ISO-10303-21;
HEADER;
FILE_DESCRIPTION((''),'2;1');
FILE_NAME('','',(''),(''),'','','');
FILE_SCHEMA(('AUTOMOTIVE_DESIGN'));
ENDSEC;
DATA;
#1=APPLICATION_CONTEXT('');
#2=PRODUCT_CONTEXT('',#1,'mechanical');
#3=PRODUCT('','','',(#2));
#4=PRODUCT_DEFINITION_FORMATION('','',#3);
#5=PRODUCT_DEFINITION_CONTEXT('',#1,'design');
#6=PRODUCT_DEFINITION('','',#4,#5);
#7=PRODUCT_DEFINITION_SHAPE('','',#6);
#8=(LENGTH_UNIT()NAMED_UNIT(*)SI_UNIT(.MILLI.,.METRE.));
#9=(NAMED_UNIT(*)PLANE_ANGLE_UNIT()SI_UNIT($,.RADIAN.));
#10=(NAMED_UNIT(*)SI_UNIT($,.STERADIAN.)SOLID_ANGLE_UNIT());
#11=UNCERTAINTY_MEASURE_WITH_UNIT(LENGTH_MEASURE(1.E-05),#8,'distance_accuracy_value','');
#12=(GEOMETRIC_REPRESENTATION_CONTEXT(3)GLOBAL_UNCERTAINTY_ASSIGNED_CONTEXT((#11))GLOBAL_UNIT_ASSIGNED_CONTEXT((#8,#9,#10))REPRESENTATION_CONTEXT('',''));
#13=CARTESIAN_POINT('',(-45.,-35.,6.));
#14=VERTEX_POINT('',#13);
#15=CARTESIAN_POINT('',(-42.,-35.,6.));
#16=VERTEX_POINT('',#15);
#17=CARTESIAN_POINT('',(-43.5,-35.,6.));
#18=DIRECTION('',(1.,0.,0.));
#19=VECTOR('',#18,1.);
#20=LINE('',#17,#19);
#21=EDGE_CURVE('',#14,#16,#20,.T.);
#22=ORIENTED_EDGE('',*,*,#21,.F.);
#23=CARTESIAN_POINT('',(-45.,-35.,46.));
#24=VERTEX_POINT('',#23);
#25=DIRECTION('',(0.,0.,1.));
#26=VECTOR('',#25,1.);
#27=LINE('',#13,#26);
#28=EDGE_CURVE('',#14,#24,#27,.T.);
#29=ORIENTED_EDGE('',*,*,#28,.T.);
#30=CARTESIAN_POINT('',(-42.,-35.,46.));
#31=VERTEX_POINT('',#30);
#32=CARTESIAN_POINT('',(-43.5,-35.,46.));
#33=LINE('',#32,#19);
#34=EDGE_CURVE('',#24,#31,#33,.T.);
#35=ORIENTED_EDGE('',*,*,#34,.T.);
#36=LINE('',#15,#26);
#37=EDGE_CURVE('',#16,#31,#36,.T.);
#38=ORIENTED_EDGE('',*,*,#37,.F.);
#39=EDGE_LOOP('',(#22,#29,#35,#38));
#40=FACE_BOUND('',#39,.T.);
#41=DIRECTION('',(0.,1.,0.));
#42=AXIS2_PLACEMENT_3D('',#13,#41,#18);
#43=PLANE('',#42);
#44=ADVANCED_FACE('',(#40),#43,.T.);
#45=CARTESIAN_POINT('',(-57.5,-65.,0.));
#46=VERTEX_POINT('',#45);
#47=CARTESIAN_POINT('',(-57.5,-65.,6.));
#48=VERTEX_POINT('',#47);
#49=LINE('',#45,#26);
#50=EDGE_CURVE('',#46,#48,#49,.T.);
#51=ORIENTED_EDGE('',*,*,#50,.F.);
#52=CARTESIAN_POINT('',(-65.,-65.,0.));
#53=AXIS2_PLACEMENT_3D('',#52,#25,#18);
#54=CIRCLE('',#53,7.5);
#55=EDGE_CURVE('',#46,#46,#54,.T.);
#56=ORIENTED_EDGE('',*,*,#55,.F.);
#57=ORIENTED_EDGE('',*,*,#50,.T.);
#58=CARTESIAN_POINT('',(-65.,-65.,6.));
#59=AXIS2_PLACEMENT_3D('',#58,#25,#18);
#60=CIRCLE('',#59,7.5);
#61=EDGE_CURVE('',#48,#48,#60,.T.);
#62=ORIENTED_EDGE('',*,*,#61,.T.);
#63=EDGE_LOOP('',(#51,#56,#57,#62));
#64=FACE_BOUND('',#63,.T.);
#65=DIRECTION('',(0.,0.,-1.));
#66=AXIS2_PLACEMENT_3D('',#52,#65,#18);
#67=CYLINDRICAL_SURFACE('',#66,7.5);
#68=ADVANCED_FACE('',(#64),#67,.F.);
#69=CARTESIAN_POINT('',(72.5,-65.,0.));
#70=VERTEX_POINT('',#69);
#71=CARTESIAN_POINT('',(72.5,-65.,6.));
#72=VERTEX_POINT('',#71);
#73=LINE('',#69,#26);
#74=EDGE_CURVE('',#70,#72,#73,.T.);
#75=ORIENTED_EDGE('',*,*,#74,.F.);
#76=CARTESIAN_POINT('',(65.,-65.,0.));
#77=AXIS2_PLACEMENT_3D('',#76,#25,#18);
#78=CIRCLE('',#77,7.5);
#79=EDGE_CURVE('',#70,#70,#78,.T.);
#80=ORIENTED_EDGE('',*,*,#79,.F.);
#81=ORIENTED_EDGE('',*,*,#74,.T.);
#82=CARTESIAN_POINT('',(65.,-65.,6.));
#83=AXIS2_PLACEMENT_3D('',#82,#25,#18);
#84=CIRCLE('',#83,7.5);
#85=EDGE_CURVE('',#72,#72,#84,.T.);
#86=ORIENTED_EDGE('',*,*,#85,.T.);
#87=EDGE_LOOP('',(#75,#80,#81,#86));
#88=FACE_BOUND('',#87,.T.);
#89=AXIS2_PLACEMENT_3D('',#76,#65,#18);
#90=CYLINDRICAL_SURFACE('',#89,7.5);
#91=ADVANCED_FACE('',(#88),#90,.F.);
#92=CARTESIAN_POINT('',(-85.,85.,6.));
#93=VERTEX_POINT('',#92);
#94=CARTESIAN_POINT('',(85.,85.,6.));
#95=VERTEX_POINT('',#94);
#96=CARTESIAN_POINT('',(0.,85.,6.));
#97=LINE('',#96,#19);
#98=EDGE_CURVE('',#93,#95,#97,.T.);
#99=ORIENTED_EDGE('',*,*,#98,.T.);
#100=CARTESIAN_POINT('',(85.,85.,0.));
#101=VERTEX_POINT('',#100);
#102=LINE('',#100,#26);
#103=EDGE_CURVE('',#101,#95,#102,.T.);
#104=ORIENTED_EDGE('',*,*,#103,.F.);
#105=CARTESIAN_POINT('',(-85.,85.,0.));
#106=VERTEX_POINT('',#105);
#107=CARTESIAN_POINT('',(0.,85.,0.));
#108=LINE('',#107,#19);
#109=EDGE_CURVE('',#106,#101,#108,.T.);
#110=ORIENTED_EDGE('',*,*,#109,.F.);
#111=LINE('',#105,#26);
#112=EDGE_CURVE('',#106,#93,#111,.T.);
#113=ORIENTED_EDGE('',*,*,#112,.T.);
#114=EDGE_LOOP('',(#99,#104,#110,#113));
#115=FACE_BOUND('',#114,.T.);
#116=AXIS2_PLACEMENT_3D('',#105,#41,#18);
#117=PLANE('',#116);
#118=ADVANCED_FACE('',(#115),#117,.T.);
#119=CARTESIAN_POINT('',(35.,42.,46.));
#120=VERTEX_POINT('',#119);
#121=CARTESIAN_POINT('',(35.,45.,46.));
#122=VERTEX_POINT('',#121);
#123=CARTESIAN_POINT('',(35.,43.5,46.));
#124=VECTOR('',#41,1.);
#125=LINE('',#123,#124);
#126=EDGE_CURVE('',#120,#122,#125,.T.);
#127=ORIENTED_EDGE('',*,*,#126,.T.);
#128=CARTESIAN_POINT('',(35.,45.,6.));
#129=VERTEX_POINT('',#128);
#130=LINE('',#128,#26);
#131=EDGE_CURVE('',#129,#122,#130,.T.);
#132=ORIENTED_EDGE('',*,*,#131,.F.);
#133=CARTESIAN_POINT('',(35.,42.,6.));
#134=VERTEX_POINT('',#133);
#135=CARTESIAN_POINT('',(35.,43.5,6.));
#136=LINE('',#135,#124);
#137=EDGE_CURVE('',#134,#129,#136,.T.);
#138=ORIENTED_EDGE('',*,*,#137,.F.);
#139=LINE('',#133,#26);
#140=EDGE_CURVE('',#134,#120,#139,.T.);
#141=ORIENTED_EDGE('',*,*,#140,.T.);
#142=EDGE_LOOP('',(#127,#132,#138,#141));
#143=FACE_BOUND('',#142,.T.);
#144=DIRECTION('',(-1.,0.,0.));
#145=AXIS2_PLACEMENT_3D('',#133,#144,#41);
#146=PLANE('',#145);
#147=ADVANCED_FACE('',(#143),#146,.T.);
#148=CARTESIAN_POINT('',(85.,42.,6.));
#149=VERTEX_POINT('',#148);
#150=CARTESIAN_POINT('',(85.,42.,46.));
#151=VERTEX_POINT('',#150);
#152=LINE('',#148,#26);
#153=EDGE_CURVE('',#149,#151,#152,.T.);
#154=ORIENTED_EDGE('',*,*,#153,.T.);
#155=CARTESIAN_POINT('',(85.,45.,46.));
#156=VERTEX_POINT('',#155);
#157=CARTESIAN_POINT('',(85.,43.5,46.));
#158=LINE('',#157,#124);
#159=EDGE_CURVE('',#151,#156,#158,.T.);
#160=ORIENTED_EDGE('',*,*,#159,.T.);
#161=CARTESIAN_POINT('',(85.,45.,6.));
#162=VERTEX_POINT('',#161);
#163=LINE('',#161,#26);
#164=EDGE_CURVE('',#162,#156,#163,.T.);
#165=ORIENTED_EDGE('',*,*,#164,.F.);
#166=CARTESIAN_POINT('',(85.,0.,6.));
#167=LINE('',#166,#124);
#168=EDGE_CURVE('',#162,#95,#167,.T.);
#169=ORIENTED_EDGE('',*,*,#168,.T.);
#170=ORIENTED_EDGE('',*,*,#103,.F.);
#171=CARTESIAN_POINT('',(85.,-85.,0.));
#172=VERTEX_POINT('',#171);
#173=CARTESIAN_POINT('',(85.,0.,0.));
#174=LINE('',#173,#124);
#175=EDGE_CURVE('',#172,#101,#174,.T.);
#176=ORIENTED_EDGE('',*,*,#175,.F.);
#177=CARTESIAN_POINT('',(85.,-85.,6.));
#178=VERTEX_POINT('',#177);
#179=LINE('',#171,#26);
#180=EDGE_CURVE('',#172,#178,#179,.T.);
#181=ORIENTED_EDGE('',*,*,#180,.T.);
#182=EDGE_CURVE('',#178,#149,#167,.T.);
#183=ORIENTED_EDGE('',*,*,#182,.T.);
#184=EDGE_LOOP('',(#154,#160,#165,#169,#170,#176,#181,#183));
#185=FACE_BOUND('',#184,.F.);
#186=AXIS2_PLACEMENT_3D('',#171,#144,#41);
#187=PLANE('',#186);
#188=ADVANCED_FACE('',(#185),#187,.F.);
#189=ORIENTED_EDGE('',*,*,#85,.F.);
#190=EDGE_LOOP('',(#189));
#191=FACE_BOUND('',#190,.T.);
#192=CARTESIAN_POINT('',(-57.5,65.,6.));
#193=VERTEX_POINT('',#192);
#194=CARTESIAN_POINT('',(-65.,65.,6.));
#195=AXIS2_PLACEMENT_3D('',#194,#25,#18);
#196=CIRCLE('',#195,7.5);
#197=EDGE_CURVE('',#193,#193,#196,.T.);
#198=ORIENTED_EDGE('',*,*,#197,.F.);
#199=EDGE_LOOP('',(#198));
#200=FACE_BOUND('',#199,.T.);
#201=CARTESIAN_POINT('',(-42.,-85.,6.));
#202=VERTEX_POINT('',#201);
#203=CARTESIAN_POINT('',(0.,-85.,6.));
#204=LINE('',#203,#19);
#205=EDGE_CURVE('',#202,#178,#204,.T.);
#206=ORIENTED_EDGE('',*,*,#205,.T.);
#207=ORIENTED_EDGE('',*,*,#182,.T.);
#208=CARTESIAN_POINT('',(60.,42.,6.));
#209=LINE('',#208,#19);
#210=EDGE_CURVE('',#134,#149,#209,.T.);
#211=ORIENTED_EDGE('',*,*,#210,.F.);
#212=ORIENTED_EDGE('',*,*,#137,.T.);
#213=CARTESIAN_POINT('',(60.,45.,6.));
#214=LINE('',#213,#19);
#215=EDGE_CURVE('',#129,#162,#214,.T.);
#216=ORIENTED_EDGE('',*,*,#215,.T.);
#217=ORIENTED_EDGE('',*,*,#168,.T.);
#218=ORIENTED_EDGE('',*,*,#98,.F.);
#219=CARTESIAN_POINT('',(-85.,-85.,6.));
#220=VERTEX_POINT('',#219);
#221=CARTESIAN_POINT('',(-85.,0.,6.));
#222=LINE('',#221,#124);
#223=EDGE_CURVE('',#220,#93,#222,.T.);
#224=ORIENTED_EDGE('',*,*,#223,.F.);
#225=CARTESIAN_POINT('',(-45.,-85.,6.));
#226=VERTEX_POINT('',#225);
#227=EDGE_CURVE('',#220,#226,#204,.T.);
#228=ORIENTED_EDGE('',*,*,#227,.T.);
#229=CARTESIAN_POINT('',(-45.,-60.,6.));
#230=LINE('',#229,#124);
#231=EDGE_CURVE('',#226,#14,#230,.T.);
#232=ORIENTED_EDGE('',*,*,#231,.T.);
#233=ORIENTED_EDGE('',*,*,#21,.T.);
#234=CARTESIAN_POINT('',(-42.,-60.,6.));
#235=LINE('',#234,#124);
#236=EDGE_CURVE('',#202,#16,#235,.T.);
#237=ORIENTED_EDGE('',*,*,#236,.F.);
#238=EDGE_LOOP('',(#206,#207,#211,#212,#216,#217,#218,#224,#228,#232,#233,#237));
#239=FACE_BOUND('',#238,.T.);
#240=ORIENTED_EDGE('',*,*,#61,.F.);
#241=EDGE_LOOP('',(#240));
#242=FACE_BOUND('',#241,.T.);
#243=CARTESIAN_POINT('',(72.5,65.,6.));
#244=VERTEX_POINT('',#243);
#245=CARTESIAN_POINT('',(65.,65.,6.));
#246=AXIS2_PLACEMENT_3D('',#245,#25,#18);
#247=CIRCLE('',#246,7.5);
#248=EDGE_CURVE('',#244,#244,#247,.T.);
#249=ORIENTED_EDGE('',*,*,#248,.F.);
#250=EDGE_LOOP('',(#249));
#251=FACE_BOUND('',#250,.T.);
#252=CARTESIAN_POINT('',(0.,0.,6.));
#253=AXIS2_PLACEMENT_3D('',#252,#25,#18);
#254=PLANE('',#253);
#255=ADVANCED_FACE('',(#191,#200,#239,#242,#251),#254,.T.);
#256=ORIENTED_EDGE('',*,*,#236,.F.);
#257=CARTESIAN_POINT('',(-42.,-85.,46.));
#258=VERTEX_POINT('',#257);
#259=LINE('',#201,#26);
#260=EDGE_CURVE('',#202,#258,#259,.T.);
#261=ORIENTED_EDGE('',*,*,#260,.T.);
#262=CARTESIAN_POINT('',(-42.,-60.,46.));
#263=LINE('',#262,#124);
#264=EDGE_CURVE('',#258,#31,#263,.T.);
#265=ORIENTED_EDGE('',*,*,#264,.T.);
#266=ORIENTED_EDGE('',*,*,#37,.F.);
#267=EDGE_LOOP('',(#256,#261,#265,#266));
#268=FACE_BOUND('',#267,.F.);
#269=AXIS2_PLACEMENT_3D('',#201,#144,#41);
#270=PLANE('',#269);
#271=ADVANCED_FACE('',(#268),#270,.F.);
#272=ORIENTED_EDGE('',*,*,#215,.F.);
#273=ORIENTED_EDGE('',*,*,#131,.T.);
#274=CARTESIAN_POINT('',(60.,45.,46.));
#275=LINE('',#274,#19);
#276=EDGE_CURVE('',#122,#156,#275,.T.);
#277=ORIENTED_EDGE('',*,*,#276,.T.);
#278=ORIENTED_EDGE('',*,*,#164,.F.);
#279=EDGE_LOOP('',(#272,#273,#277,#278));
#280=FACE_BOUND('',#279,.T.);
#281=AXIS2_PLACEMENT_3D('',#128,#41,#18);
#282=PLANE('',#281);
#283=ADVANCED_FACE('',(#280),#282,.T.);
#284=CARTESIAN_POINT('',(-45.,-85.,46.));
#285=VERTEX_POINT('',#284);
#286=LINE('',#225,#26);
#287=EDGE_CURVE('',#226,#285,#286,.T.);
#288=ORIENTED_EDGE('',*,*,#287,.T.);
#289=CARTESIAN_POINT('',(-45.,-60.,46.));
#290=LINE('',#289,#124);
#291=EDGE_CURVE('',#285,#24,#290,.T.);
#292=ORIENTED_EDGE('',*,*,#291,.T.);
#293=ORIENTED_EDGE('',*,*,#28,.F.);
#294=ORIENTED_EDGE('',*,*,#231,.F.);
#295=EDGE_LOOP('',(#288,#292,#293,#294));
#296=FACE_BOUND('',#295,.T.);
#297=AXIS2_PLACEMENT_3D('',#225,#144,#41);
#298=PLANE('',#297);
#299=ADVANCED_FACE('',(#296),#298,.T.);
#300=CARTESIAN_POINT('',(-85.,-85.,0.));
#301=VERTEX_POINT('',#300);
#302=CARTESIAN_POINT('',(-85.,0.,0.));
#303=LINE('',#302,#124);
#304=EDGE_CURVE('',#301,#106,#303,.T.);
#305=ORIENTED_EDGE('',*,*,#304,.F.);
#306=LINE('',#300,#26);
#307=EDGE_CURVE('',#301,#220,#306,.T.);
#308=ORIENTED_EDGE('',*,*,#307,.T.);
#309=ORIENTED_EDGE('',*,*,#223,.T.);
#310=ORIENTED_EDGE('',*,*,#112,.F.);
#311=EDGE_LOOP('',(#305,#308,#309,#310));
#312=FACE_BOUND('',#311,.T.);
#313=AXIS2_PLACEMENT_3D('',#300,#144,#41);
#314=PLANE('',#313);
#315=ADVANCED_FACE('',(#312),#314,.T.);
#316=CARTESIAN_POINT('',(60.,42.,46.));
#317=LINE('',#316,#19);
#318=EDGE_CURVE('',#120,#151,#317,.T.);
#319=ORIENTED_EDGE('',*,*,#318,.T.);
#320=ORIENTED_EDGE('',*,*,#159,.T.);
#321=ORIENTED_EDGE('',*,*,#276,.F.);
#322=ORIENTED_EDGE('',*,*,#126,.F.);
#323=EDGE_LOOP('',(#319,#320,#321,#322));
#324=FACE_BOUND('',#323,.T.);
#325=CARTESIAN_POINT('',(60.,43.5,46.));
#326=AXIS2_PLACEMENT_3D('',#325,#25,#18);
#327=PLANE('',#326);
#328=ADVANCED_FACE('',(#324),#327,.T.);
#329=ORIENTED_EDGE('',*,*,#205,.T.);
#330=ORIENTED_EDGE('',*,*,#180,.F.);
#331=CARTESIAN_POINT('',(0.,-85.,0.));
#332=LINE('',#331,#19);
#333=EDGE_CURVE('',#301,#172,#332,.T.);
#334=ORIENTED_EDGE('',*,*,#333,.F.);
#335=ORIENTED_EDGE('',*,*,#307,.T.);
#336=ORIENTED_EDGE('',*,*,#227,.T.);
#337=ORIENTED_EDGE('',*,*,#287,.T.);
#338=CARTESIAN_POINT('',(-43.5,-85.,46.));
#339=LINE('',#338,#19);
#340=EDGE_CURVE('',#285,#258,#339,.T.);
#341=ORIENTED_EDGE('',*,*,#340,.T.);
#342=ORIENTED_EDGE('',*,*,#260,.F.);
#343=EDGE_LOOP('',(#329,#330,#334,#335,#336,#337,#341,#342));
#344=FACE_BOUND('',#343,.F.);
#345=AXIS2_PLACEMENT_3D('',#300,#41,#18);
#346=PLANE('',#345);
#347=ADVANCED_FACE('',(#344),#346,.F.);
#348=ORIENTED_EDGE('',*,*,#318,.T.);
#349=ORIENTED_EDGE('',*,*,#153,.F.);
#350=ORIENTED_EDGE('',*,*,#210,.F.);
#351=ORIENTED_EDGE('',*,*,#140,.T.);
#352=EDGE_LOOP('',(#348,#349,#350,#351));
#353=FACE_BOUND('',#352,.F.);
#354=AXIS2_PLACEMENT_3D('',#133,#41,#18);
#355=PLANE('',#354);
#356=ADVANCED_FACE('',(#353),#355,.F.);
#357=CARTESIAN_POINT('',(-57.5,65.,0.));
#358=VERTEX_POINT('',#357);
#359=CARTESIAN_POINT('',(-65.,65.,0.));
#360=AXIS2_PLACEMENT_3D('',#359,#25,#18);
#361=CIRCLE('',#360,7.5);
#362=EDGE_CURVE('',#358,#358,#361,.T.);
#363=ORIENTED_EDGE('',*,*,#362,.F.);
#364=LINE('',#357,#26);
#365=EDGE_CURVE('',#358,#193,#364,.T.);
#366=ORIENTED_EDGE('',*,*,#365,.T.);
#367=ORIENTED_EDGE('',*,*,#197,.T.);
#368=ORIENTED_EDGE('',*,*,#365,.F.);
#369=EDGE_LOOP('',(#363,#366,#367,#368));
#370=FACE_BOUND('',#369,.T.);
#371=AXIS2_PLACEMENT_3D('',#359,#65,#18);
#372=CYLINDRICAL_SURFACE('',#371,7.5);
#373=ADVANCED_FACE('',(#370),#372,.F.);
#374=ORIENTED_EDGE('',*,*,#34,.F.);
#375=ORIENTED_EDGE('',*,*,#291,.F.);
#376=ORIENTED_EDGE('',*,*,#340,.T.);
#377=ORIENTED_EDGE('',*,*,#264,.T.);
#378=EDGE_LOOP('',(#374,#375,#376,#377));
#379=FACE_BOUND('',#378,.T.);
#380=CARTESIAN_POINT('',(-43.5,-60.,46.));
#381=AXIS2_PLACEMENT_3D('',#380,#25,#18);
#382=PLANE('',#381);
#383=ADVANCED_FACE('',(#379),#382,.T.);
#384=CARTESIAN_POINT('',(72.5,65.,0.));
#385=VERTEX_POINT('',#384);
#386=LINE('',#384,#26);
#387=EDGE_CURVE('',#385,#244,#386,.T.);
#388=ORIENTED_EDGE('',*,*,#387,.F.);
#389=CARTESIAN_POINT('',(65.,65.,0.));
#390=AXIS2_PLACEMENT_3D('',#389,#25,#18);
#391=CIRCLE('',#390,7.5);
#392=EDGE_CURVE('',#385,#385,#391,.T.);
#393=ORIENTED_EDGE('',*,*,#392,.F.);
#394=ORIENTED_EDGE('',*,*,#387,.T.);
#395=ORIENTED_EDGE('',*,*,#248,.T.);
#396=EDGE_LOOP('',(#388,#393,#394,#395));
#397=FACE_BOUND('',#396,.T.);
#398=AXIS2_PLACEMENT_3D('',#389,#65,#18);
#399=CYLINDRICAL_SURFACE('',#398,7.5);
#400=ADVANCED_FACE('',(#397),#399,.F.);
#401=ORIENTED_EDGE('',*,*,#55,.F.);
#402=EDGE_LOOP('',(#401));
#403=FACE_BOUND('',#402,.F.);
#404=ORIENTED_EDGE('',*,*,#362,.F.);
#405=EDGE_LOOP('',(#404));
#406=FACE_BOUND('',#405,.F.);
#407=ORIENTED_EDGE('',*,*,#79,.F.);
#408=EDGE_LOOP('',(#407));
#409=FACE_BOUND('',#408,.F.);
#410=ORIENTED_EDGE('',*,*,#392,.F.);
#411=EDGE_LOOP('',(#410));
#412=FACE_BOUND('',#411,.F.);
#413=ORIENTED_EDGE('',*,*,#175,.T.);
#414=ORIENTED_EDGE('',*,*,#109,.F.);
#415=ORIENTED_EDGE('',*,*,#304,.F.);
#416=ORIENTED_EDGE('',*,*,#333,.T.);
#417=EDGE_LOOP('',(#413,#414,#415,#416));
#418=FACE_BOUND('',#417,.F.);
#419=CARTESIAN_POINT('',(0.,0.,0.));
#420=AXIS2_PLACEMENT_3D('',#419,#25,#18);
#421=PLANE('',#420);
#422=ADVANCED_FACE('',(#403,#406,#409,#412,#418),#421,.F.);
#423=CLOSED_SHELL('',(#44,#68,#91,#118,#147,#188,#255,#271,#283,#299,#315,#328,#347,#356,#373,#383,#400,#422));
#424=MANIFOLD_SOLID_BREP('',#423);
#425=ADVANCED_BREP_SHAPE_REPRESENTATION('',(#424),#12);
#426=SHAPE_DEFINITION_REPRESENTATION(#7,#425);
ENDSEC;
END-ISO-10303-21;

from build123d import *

# Parameters (mm, degrees)
F0_W     = 170
F0_H     = 170
F0_R     = 7.5
F1_DEPTH = 6
F2_W     = 3
F2_H     = 50
F2_W_2   = 50
F2_H_2   = 3
F3_DEPTH = 40


with BuildPart() as f1:
    # F0 (on Top) → F1 (new body)
    with BuildSketch(Plane.XY):
        Rectangle(F0_W, F0_H)
        with Locations((-65, -65)):
            Circle(F0_R, mode=Mode.SUBTRACT)
        with Locations((65, -65)):
            Circle(F0_R, mode=Mode.SUBTRACT)
        with Locations((-65, 65)):
            Circle(F0_R, mode=Mode.SUBTRACT)
        with Locations((65, 65)):
            Circle(F0_R, mode=Mode.SUBTRACT)
    extrude(amount=F1_DEPTH)

    # F2 (on face) → F3 (join)
    with BuildSketch(Plane.XY.offset(6)):
        with Locations((-43.5, -60)):
            Rectangle(F2_W, F2_H)
        with Locations((60, 43.5)):
            Rectangle(F2_W_2, F2_H_2)
    extrude(amount=F3_DEPTH)


solid = f1.part
